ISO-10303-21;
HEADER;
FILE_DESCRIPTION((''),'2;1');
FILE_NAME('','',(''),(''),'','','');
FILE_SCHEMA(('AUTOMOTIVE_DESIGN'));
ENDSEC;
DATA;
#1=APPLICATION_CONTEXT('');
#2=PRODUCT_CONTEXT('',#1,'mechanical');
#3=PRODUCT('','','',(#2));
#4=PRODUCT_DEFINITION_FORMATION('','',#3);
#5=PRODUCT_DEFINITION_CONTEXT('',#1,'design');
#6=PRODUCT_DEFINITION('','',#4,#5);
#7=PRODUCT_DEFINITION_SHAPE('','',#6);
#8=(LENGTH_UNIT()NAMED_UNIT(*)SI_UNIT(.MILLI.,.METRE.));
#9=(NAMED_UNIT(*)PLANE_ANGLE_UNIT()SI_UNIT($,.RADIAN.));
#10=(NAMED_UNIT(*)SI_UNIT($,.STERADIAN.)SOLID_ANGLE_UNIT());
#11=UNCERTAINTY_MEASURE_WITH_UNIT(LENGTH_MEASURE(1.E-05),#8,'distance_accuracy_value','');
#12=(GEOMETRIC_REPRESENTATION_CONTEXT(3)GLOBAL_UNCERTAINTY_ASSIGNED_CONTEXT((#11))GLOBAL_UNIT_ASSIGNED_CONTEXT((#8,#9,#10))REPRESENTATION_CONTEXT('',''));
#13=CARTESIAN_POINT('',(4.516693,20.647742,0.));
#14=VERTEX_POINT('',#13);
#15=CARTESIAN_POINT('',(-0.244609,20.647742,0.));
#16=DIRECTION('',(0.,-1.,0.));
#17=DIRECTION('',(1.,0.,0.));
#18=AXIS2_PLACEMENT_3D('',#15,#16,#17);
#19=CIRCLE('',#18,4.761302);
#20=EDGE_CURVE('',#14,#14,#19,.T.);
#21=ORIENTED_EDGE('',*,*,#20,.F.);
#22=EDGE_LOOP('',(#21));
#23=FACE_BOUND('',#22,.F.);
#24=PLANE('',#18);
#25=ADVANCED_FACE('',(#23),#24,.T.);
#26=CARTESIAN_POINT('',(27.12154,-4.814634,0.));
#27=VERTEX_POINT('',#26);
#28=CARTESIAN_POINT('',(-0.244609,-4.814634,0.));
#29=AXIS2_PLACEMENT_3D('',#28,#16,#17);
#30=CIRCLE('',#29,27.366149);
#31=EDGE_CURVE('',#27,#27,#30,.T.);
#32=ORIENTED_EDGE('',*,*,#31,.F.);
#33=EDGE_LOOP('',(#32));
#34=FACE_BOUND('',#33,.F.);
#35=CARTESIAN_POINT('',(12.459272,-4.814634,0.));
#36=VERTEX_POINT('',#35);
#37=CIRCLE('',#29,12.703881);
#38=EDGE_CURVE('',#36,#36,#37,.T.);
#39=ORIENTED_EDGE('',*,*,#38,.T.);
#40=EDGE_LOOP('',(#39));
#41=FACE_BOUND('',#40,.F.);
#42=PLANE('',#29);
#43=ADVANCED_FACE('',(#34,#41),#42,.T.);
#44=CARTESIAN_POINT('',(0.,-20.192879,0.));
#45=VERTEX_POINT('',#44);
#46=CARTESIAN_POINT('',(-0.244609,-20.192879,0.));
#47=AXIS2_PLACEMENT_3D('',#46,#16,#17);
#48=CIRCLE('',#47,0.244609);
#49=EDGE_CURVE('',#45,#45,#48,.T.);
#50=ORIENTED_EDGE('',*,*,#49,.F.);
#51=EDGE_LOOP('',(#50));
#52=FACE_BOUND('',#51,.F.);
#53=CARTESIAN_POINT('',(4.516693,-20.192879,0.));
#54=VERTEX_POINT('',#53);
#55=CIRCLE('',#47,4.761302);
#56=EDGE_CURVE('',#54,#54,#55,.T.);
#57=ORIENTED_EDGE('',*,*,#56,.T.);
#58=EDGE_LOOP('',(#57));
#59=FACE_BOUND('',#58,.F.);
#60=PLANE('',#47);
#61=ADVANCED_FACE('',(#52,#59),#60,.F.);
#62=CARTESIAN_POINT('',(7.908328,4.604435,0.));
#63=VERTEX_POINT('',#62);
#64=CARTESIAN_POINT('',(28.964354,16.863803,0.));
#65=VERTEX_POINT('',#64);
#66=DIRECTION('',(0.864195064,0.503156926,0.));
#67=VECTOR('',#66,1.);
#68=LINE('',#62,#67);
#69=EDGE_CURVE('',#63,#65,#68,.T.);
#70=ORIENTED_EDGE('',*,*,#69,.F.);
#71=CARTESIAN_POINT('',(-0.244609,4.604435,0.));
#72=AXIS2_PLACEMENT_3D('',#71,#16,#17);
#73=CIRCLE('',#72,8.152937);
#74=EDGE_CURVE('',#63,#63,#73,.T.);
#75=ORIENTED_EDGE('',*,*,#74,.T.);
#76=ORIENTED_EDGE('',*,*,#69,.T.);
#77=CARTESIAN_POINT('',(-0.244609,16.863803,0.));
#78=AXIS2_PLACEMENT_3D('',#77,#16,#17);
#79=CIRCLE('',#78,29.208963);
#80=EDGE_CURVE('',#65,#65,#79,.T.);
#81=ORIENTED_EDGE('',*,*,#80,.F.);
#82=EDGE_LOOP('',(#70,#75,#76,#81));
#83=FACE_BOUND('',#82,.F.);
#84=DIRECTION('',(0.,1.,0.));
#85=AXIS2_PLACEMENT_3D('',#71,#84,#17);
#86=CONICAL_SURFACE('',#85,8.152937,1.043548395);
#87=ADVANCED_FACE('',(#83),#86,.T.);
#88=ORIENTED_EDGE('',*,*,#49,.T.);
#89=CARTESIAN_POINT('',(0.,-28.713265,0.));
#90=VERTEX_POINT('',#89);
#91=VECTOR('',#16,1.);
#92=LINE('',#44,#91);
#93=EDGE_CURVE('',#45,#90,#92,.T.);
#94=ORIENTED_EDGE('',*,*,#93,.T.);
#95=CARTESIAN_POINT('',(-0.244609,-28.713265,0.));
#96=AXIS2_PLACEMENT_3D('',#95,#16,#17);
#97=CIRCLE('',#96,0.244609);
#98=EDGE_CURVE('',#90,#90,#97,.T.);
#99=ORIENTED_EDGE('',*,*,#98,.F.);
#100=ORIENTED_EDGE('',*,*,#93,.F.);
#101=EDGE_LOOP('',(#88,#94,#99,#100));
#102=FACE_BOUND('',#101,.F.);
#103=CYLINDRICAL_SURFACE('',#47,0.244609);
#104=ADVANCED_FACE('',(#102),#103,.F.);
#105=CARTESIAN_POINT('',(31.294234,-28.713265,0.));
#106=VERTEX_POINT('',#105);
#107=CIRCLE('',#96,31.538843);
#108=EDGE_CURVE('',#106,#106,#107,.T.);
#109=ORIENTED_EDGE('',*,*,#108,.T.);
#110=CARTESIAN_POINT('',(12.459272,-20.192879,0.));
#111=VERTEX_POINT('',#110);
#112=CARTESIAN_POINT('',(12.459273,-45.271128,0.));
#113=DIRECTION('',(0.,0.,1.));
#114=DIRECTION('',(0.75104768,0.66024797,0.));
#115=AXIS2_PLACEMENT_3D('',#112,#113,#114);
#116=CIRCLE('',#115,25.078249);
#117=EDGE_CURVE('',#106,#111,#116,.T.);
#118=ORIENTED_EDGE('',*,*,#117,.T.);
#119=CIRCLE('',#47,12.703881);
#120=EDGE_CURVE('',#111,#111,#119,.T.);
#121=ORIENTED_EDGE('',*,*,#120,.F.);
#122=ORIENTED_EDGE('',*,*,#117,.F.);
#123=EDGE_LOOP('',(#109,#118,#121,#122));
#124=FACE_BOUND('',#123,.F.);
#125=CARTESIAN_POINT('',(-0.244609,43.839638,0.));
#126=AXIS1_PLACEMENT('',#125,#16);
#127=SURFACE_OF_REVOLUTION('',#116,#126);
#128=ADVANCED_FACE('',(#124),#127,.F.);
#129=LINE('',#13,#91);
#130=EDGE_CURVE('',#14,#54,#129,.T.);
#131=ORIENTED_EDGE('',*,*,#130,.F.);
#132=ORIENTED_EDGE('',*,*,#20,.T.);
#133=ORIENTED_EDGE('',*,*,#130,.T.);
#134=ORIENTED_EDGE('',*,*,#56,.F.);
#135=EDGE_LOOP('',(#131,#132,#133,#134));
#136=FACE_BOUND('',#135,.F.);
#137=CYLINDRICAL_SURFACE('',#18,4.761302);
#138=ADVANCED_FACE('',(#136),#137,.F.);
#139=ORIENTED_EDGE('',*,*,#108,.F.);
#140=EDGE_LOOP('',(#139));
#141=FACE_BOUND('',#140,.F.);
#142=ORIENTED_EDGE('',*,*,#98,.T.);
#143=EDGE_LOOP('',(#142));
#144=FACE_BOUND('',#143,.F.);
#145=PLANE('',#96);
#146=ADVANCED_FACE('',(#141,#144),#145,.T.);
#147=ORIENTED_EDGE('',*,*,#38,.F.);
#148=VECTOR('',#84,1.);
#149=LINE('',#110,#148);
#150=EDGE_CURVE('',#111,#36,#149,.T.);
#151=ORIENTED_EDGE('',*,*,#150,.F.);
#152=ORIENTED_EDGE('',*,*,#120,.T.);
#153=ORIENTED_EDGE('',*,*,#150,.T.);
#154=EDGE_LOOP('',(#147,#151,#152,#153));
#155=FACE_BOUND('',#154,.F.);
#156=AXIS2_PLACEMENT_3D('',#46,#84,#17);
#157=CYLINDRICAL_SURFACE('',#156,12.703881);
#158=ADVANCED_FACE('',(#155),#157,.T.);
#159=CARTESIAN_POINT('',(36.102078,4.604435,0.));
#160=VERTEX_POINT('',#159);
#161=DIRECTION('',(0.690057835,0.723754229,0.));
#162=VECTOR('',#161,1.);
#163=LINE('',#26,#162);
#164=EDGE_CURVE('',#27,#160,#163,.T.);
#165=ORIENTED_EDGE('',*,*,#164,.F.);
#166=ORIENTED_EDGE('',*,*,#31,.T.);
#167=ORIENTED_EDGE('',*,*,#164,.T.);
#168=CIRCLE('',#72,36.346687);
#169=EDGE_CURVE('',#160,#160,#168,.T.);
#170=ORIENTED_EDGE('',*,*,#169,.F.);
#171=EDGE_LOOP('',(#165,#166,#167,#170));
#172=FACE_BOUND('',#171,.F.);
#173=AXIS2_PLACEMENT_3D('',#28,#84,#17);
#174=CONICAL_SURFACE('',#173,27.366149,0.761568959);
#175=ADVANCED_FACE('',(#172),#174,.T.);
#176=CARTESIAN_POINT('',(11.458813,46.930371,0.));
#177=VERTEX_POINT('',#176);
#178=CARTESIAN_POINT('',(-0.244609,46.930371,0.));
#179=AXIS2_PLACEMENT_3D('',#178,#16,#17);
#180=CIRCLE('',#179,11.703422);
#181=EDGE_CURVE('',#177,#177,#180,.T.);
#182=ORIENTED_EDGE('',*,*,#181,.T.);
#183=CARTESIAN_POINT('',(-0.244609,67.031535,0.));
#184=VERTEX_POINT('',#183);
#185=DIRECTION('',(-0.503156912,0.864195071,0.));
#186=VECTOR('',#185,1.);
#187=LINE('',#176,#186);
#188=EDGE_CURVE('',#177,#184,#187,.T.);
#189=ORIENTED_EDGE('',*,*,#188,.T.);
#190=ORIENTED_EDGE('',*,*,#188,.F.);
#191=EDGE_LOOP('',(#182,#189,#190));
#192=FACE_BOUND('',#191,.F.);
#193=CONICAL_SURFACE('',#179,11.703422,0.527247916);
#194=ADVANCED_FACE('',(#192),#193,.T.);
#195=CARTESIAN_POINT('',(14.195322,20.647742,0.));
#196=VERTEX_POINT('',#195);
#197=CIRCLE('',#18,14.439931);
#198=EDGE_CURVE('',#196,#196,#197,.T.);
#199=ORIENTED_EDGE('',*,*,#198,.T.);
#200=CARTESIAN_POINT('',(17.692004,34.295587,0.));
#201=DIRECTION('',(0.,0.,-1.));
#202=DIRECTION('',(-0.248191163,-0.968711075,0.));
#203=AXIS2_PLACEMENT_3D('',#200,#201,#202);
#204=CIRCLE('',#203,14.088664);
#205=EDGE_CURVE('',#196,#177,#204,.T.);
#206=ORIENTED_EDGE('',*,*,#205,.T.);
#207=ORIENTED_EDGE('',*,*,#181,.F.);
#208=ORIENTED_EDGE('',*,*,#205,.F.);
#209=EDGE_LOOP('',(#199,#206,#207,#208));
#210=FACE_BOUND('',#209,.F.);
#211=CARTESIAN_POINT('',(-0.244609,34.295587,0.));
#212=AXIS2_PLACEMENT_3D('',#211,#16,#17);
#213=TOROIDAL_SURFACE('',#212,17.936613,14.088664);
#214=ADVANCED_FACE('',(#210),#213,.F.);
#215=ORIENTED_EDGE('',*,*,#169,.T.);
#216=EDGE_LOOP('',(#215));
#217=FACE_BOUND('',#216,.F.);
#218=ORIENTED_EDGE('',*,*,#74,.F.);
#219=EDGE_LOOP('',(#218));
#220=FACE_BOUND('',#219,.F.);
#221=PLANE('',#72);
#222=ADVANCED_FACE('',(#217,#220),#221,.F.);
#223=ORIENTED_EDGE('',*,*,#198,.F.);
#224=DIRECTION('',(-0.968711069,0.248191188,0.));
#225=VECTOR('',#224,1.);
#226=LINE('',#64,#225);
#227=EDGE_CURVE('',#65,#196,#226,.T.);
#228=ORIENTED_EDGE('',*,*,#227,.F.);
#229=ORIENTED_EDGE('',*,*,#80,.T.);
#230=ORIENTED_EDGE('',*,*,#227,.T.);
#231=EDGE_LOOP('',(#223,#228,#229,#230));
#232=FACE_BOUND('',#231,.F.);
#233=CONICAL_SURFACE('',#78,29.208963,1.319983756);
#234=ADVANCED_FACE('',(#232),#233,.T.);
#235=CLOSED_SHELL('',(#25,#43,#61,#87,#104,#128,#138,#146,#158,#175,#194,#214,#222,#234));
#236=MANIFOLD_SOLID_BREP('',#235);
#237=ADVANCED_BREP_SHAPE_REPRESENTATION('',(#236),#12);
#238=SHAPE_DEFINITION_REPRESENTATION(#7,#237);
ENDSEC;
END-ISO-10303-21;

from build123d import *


with BuildPart() as f1:
    # F0 (on Top) → F1 (revolve)
    with BuildSketch(Plane.XY):
        with BuildLine():
            Line((11.458813, 46.930371), (-0.244609, 67.031535))
            Line((-0.244609, 67.031535), (-0.244609, 20.647742))
            Line((-0.244609, 20.647742), (4.516693, 20.647742))
            Line((4.516693, 20.647742), (4.516693, -20.192879))
            Line((4.516693, -20.192879), (12.459272, -20.192879))
            Line((12.459272, -20.192879), (12.459272, -4.814634))
            Line((12.459272, -4.814634), (27.12154, -4.814634))
            Line((27.12154, -4.814634), (36.102078, 4.604435))
            Line((36.102078, 4.604435), (7.908328, 4.604435))
            Line((7.908328, 4.604435), (28.964354, 16.863803))
            Line((28.964354, 16.863803), (14.195322, 20.647742))
            ThreePointArc((14.195322, 20.647742), (3.67909, 32.836583), (11.458813, 46.930371))
        make_face()
        with BuildLine():
            Line((12.459272, -20.192879), (4.516693, -20.192879))
            Line((4.516693, -20.192879), (0, -20.192879))
            Line((0, -20.192879), (0, -28.713265))
            Line((0, -28.713265), (31.294234, -28.713265))
            ThreePointArc((31.294234, -28.713265), (22.795528, -22.422049), (12.459272, -20.192879))
        make_face()
    revolve(axis=Axis((-0.244609, 43.839638, 0), (0, -1, 0)))


solid = f1.part
